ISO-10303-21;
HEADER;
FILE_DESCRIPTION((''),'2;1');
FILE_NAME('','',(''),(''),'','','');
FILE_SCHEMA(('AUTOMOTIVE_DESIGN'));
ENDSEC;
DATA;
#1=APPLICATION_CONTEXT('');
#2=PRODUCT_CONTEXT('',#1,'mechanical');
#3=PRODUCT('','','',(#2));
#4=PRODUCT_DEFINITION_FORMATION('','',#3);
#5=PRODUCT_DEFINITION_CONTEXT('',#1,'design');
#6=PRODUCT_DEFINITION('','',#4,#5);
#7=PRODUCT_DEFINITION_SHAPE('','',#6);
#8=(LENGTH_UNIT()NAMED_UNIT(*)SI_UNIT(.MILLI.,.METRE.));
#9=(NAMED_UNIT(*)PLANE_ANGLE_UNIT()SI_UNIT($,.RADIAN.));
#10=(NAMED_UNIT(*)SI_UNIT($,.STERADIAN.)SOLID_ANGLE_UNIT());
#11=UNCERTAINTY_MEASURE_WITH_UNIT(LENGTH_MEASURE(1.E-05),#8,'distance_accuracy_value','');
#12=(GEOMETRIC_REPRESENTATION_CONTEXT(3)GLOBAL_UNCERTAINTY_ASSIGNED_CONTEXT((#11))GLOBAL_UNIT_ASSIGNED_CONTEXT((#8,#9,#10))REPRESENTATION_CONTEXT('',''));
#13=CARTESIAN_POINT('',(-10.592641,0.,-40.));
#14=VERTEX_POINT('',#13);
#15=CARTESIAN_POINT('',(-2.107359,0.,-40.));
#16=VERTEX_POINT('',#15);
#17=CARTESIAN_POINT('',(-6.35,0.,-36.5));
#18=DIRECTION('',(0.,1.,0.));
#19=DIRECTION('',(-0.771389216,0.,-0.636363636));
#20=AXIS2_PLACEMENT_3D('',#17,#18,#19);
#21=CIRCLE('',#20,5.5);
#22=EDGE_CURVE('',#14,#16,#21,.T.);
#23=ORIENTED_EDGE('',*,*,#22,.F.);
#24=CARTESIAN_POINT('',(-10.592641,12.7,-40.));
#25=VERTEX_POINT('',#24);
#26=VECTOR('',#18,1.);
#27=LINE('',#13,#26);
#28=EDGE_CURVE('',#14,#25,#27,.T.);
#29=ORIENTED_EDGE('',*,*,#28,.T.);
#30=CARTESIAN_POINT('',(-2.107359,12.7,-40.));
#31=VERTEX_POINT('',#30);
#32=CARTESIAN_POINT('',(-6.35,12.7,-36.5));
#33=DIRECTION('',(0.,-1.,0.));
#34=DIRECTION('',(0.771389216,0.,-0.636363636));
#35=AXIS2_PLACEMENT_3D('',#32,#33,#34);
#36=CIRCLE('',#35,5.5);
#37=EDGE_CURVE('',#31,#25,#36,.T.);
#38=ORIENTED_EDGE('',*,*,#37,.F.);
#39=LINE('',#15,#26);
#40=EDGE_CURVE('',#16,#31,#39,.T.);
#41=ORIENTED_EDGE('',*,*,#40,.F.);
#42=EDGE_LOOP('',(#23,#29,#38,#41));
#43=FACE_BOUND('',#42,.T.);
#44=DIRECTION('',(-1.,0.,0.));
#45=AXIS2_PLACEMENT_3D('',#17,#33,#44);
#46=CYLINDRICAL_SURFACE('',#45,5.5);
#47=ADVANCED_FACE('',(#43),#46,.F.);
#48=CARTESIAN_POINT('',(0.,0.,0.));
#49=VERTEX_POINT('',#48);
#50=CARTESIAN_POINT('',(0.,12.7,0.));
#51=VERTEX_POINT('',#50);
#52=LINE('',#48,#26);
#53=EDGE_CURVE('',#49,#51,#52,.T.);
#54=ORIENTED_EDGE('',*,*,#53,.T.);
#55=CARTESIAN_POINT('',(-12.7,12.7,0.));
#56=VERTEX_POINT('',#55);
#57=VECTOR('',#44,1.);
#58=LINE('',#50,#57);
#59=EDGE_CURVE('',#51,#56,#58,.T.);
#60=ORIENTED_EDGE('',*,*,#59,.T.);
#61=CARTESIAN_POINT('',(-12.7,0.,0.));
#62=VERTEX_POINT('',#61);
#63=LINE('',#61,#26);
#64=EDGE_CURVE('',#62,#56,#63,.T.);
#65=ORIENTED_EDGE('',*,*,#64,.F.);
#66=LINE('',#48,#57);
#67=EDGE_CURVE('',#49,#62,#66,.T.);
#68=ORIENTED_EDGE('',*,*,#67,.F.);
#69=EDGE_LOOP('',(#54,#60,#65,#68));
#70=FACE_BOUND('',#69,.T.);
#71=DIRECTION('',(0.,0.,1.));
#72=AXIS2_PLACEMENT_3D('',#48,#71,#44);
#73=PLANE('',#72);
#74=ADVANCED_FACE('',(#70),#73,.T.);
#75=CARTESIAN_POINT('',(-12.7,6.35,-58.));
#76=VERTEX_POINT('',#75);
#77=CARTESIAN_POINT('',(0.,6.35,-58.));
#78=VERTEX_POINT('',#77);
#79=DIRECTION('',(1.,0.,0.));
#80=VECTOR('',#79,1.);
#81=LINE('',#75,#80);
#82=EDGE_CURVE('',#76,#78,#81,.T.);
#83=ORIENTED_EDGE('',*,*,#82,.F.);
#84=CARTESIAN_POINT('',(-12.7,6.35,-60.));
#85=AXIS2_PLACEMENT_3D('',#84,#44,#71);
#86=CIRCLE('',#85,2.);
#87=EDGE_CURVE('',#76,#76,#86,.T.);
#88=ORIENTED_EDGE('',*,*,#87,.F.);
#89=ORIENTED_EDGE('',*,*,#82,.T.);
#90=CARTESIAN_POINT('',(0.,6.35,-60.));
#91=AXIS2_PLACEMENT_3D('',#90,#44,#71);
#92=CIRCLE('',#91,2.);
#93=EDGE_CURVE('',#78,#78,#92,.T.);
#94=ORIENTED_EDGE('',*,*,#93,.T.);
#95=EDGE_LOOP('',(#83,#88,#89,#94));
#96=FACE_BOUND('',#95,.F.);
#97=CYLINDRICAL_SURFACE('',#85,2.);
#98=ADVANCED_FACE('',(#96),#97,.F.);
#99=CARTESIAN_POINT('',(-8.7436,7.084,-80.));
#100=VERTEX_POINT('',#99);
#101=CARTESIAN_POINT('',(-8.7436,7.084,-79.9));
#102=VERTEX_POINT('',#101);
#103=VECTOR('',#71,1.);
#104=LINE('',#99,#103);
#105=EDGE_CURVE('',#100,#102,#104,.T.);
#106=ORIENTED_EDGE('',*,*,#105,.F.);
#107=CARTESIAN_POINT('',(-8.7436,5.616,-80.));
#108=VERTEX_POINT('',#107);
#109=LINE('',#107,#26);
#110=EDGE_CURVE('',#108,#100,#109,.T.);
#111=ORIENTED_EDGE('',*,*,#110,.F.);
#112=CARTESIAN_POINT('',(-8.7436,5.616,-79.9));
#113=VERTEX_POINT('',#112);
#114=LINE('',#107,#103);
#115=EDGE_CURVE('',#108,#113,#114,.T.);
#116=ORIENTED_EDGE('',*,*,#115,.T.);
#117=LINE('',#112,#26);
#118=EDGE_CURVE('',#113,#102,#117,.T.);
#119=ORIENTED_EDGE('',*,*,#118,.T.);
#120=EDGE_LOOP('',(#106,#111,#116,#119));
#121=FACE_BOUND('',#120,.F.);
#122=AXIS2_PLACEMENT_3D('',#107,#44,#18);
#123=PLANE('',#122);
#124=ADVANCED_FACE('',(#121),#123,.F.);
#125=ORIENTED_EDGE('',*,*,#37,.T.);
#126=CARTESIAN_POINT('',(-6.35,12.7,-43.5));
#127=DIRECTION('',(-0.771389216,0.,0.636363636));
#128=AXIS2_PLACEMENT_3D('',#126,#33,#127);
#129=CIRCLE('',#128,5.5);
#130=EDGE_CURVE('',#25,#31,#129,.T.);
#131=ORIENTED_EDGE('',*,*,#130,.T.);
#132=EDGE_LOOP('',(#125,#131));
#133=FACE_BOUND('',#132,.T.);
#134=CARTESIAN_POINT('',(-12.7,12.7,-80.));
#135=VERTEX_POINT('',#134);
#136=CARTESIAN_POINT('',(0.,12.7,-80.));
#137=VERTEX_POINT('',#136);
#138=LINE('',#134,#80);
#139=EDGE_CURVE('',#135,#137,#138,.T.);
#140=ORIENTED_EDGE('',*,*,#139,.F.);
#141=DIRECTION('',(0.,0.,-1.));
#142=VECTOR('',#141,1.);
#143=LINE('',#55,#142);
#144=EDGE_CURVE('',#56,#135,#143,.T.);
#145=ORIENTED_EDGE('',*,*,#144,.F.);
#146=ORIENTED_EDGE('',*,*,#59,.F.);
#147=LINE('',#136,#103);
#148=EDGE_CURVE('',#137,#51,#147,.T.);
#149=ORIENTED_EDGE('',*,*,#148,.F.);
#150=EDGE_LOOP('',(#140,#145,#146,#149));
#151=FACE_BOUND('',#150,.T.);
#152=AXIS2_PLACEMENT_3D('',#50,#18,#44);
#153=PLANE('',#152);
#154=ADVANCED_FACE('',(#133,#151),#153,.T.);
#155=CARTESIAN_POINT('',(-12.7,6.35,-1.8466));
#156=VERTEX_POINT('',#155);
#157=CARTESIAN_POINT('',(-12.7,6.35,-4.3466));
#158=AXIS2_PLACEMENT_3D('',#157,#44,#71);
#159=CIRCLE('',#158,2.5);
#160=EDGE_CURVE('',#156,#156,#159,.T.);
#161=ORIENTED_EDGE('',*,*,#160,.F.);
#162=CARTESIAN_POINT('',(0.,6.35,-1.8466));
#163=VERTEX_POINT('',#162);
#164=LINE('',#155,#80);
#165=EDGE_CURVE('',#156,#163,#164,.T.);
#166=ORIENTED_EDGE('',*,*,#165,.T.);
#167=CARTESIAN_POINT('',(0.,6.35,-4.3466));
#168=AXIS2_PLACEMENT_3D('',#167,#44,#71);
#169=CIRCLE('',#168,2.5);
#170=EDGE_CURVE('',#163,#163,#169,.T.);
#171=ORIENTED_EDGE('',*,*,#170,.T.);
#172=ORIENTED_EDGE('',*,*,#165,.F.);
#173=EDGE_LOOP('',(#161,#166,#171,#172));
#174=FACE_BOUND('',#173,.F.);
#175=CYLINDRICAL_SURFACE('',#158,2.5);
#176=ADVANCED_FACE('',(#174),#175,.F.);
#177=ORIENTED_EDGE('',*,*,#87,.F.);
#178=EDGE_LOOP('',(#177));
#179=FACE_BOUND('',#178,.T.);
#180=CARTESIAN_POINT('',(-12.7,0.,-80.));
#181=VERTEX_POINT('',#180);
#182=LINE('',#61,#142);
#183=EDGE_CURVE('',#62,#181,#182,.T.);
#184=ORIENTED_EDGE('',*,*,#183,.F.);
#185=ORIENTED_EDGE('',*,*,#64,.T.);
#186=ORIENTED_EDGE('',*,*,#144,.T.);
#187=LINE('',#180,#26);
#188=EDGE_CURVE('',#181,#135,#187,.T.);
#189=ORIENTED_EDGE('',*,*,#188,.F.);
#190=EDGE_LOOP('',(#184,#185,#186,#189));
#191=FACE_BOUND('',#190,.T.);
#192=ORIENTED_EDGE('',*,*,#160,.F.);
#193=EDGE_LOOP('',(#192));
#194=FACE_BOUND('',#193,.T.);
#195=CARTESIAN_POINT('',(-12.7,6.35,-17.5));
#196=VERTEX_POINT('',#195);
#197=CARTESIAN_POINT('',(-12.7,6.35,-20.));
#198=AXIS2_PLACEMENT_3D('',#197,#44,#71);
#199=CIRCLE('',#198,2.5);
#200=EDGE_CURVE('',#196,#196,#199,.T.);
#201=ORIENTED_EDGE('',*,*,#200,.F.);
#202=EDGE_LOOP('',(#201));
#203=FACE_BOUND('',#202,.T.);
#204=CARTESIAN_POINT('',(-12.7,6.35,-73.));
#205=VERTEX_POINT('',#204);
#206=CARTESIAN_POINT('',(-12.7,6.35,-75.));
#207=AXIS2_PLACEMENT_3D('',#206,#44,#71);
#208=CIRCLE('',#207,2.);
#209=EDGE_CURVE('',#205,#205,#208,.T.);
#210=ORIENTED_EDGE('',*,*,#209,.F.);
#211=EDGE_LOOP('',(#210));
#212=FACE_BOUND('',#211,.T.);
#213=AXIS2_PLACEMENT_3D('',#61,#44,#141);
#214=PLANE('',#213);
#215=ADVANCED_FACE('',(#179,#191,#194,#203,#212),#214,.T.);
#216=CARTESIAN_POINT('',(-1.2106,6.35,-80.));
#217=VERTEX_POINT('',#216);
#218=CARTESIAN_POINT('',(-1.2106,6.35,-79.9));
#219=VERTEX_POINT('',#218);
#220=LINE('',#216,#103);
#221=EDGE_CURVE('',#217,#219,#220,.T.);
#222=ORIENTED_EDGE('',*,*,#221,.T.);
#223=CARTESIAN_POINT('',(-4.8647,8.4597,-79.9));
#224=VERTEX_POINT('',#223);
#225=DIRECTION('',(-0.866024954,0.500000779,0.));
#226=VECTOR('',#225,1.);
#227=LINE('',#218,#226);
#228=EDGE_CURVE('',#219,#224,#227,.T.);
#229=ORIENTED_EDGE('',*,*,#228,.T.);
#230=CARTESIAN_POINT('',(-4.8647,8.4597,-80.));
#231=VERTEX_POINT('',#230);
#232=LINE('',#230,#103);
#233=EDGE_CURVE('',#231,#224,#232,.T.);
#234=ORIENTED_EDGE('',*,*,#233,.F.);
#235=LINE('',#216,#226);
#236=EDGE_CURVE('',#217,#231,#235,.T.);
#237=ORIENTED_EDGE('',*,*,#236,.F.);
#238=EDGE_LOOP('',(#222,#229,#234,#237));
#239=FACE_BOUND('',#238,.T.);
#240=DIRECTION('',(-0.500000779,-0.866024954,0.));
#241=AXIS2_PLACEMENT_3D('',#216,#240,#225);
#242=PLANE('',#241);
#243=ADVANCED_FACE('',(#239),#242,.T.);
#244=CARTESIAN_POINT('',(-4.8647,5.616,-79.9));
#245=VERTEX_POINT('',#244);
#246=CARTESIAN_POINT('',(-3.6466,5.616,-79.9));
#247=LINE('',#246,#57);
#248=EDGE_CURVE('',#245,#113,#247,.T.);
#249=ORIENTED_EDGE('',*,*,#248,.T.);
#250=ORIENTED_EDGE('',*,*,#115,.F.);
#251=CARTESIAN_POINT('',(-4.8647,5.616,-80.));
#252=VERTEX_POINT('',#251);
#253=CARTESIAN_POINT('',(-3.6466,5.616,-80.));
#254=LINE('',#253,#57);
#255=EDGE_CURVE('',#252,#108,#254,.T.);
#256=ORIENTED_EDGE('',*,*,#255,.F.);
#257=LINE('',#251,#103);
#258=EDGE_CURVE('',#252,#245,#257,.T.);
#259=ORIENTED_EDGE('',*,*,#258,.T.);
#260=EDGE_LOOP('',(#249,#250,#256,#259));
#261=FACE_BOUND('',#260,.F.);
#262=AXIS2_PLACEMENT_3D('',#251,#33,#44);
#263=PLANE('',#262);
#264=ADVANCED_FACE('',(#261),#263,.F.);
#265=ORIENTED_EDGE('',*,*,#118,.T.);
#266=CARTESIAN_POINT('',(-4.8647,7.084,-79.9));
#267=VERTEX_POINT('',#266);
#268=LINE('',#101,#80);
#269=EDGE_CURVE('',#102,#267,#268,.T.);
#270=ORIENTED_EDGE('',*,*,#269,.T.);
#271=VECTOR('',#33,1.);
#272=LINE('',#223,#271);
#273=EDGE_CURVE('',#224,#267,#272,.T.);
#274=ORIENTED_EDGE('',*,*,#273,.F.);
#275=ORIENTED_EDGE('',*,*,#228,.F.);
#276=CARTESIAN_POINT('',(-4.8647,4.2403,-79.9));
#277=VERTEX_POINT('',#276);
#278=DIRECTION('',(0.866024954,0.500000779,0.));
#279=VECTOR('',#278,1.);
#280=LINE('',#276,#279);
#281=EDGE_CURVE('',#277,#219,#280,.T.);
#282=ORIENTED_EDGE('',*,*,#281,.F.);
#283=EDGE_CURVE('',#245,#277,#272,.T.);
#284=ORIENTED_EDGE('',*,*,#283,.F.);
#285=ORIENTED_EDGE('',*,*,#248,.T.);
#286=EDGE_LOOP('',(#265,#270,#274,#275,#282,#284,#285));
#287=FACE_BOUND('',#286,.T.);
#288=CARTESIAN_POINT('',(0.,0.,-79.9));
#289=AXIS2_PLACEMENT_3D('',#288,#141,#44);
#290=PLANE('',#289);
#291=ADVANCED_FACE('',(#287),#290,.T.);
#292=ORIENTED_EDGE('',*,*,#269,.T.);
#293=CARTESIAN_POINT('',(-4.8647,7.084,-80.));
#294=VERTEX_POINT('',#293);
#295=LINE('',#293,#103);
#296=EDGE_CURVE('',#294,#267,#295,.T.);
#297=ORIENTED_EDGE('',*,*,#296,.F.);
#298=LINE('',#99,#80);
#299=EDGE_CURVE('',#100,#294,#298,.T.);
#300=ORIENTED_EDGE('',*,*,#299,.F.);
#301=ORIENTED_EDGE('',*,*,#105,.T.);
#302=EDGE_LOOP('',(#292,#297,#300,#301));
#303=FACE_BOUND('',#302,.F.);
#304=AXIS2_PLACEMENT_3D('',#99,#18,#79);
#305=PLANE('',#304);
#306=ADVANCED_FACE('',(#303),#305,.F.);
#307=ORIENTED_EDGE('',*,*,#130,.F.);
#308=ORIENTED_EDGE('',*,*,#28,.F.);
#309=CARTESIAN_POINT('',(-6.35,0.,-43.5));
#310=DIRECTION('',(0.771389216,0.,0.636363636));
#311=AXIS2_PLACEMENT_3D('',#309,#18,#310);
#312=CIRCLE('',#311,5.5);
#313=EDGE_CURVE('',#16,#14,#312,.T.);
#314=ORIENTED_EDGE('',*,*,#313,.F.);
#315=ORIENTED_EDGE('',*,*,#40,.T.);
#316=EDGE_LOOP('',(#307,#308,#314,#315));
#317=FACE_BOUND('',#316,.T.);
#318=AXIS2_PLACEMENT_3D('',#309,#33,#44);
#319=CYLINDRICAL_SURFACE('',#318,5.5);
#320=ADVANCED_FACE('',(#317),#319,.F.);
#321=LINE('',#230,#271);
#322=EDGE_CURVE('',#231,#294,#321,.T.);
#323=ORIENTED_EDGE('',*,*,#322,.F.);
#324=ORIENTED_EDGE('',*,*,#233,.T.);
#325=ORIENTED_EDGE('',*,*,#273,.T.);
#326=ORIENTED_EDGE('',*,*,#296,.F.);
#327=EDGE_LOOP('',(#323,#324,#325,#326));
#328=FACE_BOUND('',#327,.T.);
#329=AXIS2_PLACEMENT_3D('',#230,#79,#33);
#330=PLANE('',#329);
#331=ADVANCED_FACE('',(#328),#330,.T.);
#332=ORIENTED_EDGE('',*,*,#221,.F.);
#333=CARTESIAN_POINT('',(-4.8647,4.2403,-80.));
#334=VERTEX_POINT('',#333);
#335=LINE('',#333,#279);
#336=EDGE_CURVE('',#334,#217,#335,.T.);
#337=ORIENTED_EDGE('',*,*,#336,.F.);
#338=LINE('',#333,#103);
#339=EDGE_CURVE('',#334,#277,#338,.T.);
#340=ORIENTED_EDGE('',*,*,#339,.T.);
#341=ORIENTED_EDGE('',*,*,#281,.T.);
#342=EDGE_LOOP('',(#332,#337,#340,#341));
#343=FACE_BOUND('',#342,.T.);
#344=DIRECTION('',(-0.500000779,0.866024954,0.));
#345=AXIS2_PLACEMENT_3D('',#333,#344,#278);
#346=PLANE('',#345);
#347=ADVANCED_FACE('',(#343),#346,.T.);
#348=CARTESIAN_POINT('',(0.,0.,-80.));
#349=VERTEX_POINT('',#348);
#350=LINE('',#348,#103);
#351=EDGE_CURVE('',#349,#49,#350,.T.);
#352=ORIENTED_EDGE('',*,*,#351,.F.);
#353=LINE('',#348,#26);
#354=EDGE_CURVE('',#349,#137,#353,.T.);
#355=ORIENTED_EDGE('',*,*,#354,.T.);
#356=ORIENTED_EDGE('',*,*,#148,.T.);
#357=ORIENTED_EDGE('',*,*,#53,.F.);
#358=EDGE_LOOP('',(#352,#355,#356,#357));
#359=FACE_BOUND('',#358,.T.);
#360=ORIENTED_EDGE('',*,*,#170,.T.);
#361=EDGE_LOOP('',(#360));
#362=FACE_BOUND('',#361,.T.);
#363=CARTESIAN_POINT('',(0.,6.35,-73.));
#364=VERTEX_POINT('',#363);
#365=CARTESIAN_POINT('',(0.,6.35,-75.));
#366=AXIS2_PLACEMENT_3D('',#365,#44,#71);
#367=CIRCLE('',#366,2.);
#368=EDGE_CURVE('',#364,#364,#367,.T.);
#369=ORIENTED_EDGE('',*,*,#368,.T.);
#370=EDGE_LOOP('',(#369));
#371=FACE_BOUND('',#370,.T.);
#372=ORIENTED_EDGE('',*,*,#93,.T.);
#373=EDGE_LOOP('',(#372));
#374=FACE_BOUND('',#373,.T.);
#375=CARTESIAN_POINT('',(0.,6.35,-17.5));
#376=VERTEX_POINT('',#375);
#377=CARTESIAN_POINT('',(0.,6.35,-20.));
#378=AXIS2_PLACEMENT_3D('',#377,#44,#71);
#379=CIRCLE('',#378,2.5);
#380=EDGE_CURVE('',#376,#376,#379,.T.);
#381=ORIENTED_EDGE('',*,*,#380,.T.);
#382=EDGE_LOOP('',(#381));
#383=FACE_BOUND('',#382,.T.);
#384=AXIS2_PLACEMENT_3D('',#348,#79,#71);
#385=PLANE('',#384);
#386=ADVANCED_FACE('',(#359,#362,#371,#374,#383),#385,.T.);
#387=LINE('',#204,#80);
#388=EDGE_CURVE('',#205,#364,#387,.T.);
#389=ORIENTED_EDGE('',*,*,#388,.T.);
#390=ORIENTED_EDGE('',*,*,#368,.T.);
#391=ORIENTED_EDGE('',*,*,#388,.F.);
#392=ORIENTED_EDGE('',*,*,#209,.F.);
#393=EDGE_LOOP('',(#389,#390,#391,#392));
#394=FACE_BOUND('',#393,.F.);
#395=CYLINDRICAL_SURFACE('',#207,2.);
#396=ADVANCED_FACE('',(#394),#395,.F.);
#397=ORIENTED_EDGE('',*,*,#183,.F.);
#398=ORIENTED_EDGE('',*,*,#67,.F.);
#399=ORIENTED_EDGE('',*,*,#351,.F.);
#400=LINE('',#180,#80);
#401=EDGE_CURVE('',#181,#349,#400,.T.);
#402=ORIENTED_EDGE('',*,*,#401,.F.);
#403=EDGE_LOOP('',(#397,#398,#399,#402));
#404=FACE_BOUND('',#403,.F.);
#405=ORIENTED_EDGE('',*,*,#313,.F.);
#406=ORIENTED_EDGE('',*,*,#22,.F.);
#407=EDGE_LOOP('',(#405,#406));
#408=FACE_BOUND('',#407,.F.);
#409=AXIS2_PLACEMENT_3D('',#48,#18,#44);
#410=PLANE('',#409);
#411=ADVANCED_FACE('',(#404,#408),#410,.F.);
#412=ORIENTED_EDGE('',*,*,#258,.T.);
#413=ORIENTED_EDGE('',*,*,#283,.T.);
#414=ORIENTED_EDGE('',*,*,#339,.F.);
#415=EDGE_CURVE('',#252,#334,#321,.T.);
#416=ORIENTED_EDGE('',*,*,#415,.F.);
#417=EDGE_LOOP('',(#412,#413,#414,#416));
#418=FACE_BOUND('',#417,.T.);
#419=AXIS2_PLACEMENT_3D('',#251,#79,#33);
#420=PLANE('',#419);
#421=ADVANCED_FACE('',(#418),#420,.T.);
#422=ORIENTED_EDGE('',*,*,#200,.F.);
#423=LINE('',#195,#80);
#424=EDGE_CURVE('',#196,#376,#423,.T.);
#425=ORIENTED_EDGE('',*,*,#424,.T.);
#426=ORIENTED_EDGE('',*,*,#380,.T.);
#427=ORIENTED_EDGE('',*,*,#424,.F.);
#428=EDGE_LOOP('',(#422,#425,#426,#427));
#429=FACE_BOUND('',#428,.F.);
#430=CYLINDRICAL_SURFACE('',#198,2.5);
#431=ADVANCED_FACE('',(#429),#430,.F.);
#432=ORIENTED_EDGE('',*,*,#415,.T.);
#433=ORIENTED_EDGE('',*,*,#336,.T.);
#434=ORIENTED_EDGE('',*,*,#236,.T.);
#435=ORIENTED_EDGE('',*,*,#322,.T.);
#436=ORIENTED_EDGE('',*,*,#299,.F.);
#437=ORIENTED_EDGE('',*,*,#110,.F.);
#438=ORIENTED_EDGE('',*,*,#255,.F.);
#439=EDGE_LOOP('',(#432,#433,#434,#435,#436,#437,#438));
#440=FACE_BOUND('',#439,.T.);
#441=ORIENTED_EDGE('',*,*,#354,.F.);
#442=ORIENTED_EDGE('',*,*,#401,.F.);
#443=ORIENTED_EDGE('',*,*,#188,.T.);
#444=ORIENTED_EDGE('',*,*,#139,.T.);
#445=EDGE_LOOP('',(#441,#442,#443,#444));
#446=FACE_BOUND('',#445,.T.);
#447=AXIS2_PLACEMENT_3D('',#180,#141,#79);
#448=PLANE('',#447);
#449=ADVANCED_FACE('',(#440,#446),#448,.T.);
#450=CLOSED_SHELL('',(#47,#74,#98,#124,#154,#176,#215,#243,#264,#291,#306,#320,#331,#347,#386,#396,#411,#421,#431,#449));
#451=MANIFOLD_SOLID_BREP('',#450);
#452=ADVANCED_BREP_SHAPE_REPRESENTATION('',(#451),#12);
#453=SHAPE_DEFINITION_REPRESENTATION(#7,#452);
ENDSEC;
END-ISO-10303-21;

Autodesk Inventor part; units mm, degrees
ref_plane "YZ Plane" through (0, 0, 0) normal (1, 0, 0) x (0, 1, 0)
ref_plane "XZ Plane" through (0, 0, 0) normal (0, 1, 0) x (-1, 0, 0)
ref_plane "XY Plane" through (0, 0, 0) normal (0, 0, 1) x (1, 0, 0)
sketch "Sketch1" plane through (0, 0, 0) normal (0, 1, 0) x (-1, 0, 0)
  line L0 (0, 0) -> (12.7, 0)
  line L1 (12.7, 0) -> (12.7, -80)
  line L2 (12.7, -80) -> (0, -80)
  line L3 (0, -80) -> (0, 0)
  circle A0 centre (6.35, -36.5) radius 5.5
  circle A1 centre (6.35, -43.5) radius 5.5
  line L4 (6.35, -36.5) -> (6.35, -43.5) construction
  point P0 (6.35, -40)
  point P1 (0, -40)
  point P2 (6.35, -80)
  dimension "d0" = 12.7
  dimension "d1" = 80
  dimension "d2" = 11
  dimension "d3" = 11
  dimension "d4" = 7
extrude "Extrusion1" add sketch "Sketch1" along normal blind 12.7
sketch "Sketch2" plane through (-12.7, 0, -80) normal (-1, 0, 0) x (0, 0, 1)
  line L0 (40, 0) -> (40, 12.7) projected
  line L1 (40, 6.35) -> (20, 6.35) construction
  line L2 (20, 6.35) -> (5, 6.35) construction
  circle A0 centre (5, 6.35) radius 2
  circle A1 centre (20, 6.35) radius 2
  line L3 (40, 6.35) -> (60, 6.35) construction
  line L4 (60, 6.35) -> (75, 6.35) construction
  circle A2 centre (60, 6.35) radius 2.5
  circle A3 centre (75.6534, 6.35) radius 2.5
  point P0 (80, 0)
  dimension "d7" = 20
  dimension "d8" = 15
  dimension "d9" = 4
  dimension "d10" = 4
  dimension "d11" = 5
  dimension "d12" = 5
sketch "Sketch3" plane through (0, 0, -80) normal (0, 0, -1) x (-1, 0, 0)
  line L0 (8.7436, 7.084) -> (3.6466, 7.084)
  line L1 (3.6466, 7.084) -> (3.6466, 5.616)
  line L2 (3.6466, 5.616) -> (8.7436, 5.616)
  line L3 (8.7436, 5.616) -> (8.7436, 7.084)
  line L4 (8.7436, 7.084) -> (3.6466, 5.616) construction
  line L5 (3.6466, 7.084) -> (8.7436, 5.616) construction
  line L6 (1.2106, 6.35) -> (4.8647, 8.4597)
  line L7 (4.8647, 8.4597) -> (4.8647, 4.2403)
  line L8 (4.8647, 4.2403) -> (1.2106, 6.35)
  point P0 (0, 0)
  point P1 (6.1951, 6.35)
  point P2 (3.6466, 6.35)
extrude "Extrusion2" cut sketch "Sketch3" against normal blind 0.1
extrude "Extrusion3" cut sketch "Sketch2" against normal through all
properties part number "LoadCell"
